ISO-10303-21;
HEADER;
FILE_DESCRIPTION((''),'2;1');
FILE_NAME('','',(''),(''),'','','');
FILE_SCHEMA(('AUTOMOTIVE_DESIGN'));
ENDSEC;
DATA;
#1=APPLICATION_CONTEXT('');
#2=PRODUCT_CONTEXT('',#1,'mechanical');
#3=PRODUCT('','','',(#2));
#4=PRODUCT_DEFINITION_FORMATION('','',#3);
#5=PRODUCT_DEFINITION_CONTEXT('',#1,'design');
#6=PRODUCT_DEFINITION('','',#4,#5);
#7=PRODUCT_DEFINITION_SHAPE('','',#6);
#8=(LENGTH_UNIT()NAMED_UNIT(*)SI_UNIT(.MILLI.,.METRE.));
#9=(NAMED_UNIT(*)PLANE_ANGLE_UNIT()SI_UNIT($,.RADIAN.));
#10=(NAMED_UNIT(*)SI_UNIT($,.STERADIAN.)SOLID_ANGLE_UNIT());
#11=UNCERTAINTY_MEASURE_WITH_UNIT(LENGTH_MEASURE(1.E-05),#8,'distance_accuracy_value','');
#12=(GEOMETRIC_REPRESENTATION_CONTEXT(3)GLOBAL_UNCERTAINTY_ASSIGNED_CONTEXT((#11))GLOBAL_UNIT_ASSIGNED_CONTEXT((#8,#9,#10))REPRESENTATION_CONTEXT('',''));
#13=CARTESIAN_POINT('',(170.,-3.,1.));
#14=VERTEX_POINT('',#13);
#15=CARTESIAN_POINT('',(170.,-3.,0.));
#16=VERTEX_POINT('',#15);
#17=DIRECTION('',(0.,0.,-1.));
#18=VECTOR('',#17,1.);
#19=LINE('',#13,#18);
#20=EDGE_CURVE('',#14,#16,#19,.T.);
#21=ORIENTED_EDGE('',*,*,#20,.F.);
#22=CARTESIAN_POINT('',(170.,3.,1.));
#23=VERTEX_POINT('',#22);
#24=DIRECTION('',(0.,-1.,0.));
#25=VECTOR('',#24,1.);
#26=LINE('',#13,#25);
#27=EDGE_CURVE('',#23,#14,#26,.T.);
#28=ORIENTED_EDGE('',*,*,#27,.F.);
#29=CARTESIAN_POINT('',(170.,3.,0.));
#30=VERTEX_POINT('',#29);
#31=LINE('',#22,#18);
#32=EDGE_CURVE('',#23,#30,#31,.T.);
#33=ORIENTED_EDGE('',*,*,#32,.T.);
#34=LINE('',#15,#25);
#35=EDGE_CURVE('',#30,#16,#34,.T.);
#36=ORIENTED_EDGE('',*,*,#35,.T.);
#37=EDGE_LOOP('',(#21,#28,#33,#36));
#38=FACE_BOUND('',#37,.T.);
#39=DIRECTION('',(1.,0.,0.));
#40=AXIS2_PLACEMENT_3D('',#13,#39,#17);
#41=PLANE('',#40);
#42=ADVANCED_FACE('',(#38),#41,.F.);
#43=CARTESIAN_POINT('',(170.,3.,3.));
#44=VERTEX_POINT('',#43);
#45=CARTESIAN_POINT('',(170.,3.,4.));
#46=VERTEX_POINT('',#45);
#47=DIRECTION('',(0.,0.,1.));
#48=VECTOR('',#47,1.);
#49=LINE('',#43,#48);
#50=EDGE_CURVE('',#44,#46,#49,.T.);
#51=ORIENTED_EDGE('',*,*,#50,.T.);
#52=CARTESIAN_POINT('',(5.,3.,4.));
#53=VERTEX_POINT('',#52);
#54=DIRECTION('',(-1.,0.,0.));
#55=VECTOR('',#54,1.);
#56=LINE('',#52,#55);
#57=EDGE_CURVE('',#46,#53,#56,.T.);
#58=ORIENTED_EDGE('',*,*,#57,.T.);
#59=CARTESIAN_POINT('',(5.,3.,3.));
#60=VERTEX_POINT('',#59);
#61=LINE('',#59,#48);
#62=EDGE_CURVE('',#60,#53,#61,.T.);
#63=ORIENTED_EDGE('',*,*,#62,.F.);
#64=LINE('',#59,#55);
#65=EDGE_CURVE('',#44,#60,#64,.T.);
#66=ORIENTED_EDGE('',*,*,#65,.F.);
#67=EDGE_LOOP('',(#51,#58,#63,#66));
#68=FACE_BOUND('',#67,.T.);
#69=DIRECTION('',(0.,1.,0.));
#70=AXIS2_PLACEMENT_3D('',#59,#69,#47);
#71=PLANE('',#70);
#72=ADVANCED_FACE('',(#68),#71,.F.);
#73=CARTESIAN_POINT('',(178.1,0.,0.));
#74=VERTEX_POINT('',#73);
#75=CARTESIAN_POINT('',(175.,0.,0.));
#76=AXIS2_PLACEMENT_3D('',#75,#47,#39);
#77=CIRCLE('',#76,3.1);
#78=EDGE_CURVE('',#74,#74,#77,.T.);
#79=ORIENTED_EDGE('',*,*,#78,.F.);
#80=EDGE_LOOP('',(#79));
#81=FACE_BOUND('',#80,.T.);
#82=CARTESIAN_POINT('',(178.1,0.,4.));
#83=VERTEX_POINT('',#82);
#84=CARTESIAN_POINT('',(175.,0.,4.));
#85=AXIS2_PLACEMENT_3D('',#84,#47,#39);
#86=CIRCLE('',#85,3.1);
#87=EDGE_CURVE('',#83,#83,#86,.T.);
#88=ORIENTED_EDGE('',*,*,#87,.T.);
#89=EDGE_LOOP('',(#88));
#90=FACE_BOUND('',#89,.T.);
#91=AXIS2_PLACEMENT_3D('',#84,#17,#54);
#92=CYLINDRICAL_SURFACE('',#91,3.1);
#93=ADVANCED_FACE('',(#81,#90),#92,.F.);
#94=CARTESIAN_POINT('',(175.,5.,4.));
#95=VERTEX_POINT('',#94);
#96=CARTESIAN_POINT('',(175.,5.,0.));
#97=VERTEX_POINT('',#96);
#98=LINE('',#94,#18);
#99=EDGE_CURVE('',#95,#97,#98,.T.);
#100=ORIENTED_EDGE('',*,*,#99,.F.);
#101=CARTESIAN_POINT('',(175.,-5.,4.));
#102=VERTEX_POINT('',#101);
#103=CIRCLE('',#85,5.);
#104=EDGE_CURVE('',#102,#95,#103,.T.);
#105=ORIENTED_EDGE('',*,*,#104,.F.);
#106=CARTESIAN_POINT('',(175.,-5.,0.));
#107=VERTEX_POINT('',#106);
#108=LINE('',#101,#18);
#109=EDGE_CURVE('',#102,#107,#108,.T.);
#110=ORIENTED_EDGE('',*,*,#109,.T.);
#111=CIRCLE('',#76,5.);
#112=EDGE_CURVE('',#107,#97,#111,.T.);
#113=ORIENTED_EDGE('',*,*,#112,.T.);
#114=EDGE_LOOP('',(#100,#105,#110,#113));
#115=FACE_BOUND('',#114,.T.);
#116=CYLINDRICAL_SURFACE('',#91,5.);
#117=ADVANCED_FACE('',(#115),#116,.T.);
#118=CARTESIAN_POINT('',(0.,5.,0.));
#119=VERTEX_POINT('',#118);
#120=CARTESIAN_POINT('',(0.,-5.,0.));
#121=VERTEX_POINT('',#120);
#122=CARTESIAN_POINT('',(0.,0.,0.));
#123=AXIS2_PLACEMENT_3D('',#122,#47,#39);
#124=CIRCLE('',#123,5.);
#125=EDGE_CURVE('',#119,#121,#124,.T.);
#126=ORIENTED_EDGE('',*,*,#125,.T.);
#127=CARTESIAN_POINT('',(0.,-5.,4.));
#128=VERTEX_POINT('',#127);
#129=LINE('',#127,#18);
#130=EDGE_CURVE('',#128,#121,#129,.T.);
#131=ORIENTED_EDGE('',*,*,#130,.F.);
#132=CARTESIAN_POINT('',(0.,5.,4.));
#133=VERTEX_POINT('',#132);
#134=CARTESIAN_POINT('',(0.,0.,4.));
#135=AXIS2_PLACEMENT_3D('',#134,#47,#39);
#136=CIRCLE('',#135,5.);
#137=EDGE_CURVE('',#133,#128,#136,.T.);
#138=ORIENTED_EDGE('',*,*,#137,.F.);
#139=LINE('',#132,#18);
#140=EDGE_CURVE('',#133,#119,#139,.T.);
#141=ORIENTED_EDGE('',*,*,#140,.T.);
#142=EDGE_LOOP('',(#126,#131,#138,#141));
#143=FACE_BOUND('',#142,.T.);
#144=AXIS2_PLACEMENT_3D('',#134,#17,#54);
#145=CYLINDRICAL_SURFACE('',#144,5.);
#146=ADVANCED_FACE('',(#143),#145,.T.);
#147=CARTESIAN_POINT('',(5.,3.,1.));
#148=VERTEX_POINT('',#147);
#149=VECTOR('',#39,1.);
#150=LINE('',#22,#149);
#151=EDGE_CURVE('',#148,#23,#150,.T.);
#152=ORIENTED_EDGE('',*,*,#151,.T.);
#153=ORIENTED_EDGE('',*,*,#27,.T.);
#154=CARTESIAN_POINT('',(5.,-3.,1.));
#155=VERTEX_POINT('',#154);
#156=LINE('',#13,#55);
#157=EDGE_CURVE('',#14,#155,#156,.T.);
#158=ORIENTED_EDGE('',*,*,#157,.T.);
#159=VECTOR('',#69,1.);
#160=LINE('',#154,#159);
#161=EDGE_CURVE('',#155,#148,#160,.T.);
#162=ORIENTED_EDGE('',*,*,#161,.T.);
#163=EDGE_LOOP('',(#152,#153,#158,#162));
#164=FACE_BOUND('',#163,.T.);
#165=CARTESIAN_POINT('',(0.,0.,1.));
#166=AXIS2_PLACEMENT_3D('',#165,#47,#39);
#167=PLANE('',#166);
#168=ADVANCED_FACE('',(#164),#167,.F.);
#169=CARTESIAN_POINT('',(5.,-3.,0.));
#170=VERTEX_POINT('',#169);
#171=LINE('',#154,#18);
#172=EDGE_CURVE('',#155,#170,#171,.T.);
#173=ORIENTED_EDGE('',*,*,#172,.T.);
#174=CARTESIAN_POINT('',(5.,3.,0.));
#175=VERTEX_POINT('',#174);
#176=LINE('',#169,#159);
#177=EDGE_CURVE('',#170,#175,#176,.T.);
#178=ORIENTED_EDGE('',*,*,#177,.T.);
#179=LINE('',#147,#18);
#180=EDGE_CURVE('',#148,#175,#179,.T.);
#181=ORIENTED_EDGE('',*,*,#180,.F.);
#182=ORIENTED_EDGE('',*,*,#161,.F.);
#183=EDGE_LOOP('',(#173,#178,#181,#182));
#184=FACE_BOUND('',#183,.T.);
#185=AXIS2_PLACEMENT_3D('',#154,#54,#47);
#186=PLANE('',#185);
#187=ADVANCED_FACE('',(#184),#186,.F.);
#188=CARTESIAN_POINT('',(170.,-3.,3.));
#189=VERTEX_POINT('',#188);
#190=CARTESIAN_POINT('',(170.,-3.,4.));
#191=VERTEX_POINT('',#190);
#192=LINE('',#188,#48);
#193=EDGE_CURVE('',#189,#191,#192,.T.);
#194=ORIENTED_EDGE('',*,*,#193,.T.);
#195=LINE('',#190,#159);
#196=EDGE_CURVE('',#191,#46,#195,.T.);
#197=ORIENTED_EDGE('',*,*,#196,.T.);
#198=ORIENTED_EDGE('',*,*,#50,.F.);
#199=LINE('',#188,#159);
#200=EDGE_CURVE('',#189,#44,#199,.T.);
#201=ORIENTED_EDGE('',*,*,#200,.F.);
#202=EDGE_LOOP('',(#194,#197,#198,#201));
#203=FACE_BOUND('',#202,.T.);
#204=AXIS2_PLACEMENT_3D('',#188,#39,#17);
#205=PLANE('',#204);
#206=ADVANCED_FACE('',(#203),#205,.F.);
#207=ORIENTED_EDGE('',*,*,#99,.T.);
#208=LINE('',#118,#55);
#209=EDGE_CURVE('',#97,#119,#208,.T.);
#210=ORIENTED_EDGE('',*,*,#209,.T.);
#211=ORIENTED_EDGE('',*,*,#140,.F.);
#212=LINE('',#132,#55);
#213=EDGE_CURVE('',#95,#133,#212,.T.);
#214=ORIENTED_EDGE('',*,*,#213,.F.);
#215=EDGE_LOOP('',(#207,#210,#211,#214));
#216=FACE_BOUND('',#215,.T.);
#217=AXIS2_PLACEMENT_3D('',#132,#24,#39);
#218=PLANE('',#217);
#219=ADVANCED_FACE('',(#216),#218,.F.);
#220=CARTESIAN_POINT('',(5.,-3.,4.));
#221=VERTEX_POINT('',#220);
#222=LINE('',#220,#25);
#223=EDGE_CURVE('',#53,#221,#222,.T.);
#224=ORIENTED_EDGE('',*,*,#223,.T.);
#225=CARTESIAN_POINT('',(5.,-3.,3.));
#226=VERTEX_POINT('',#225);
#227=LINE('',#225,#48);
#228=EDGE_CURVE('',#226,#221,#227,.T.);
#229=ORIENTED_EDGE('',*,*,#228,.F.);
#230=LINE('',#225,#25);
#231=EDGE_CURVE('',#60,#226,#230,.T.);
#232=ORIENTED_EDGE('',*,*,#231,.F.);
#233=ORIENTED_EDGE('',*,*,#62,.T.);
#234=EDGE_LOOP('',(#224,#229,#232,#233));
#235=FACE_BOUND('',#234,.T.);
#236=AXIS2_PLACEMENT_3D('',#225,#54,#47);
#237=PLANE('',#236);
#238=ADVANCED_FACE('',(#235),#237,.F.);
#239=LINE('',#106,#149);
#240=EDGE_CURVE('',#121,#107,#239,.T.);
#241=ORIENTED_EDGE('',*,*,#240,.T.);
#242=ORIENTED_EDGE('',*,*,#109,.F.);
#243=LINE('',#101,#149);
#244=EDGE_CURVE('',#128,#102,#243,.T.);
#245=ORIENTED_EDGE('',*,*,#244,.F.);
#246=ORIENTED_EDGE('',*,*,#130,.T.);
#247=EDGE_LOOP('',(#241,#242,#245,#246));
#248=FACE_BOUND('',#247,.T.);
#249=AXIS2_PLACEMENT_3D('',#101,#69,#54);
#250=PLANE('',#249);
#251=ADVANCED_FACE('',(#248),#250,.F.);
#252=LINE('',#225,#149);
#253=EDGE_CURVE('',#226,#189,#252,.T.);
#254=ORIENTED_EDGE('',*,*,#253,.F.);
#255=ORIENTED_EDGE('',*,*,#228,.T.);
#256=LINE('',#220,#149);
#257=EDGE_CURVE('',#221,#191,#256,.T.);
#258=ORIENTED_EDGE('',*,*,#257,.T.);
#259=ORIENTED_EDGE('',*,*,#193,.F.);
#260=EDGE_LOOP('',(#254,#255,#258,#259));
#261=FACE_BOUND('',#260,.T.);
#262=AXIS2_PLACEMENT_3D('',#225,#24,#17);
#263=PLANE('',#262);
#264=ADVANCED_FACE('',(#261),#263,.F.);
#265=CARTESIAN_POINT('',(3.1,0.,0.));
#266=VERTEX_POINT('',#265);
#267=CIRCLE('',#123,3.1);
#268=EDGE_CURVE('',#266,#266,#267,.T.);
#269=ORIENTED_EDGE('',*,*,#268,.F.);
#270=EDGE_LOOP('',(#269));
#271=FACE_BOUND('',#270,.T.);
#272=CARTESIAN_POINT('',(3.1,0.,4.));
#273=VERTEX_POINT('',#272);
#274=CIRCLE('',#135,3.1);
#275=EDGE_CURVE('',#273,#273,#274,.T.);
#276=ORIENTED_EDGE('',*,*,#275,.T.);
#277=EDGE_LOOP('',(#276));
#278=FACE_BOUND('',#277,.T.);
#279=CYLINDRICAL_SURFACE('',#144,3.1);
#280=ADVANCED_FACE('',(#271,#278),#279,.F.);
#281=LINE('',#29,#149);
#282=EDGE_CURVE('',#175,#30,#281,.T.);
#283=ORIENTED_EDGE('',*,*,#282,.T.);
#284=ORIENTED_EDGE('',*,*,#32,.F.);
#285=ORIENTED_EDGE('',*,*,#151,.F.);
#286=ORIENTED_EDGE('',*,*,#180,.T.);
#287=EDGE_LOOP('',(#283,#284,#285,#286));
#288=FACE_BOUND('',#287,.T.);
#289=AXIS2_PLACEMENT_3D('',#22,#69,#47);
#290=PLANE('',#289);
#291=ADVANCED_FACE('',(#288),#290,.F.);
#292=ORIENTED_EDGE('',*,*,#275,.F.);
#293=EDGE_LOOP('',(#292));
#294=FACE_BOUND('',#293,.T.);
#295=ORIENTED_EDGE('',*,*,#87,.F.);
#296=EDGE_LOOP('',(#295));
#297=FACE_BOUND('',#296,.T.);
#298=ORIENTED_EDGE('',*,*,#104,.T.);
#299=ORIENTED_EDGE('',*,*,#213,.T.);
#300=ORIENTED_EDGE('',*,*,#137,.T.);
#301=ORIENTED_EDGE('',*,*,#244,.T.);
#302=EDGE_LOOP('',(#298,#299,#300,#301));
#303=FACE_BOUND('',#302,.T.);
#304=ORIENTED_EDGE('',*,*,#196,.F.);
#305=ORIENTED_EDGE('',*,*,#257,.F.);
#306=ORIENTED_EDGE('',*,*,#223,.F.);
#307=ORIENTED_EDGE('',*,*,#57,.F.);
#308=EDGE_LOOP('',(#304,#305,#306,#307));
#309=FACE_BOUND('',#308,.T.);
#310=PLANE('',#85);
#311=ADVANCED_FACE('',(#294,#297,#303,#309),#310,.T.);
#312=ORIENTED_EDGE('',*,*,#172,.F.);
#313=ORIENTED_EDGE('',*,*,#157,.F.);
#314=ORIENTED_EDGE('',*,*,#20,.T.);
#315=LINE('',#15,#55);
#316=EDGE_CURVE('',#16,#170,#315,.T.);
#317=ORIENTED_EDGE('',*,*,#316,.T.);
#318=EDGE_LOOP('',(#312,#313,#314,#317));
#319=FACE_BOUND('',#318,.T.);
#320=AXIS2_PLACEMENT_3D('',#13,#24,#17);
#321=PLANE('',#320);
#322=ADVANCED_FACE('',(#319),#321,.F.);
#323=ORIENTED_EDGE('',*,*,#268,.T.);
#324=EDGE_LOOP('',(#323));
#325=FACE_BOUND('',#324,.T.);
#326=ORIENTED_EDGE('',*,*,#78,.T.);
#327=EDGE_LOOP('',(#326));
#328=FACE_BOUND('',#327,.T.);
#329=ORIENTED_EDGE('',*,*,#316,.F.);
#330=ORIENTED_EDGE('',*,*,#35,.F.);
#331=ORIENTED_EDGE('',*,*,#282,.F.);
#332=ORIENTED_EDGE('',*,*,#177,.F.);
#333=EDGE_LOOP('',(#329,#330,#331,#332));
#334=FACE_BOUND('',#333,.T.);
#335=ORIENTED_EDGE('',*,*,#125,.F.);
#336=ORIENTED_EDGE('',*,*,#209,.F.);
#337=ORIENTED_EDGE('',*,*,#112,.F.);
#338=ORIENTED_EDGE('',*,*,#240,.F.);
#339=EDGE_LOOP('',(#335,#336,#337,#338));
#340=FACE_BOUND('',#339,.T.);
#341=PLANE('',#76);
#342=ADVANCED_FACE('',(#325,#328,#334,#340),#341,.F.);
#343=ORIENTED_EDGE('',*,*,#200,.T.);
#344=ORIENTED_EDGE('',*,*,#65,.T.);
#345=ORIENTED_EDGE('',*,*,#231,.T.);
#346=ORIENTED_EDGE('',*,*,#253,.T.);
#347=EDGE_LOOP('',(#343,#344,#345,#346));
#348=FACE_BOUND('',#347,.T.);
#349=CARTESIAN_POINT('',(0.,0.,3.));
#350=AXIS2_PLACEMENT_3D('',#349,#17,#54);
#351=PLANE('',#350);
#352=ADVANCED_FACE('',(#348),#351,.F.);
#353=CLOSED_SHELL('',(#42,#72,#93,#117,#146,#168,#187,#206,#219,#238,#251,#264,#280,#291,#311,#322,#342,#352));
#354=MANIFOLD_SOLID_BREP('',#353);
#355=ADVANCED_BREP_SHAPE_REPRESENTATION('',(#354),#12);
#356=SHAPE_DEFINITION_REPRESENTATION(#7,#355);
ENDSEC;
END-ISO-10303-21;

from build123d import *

# Parameters (mm, degrees)
CROQUIS1_R              = 3.1
SALIENTE_EXTRUIR1_DEPTH = 4
CROQUIS2_W              = 165
CROQUIS2_H              = 6
CORTAR_EXTRUIR1_DEPTH   = 1
CROQUIS3_W              = 165
CROQUIS3_H              = 6
CORTAR_EXTRUIR2_DEPTH   = 1


with BuildPart() as part:
    # Croquis1 → Saliente-Extruir1 (new body)
    with BuildSketch(Plane.XY):
        with BuildLine():
            Line((0, 5), (175, 5))
            ThreePointArc((175, 5), (180, 0), (175, -5))
            Line((175, -5), (0, -5))
            ThreePointArc((0, -5), (-5, 0), (0, 5))
        make_face()
        Circle(CROQUIS1_R, mode=Mode.SUBTRACT)
        with Locations((175, 0)):
            Circle(CROQUIS1_R, mode=Mode.SUBTRACT)
    extrude(amount=SALIENTE_EXTRUIR1_DEPTH)

    # Croquis2 → Cortar-Extruir1 (cut)
    with BuildSketch(Plane.XY.offset(4)):
        with Locations((87.5, 0)):
            Rectangle(CROQUIS2_W, CROQUIS2_H)
    extrude(amount=-CORTAR_EXTRUIR1_DEPTH, mode=Mode.SUBTRACT)

    # Croquis3 → Cortar-Extruir2 (cut)
    with BuildSketch(Plane(origin=(0, 0, 0), x_dir=(-1, 0, 0), z_dir=(0, 0, -1))):
        with Locations((-87.5, 0)):
            Rectangle(CROQUIS3_W, CROQUIS3_H)
    extrude(amount=-CORTAR_EXTRUIR2_DEPTH, mode=Mode.SUBTRACT)


solid = part.part
